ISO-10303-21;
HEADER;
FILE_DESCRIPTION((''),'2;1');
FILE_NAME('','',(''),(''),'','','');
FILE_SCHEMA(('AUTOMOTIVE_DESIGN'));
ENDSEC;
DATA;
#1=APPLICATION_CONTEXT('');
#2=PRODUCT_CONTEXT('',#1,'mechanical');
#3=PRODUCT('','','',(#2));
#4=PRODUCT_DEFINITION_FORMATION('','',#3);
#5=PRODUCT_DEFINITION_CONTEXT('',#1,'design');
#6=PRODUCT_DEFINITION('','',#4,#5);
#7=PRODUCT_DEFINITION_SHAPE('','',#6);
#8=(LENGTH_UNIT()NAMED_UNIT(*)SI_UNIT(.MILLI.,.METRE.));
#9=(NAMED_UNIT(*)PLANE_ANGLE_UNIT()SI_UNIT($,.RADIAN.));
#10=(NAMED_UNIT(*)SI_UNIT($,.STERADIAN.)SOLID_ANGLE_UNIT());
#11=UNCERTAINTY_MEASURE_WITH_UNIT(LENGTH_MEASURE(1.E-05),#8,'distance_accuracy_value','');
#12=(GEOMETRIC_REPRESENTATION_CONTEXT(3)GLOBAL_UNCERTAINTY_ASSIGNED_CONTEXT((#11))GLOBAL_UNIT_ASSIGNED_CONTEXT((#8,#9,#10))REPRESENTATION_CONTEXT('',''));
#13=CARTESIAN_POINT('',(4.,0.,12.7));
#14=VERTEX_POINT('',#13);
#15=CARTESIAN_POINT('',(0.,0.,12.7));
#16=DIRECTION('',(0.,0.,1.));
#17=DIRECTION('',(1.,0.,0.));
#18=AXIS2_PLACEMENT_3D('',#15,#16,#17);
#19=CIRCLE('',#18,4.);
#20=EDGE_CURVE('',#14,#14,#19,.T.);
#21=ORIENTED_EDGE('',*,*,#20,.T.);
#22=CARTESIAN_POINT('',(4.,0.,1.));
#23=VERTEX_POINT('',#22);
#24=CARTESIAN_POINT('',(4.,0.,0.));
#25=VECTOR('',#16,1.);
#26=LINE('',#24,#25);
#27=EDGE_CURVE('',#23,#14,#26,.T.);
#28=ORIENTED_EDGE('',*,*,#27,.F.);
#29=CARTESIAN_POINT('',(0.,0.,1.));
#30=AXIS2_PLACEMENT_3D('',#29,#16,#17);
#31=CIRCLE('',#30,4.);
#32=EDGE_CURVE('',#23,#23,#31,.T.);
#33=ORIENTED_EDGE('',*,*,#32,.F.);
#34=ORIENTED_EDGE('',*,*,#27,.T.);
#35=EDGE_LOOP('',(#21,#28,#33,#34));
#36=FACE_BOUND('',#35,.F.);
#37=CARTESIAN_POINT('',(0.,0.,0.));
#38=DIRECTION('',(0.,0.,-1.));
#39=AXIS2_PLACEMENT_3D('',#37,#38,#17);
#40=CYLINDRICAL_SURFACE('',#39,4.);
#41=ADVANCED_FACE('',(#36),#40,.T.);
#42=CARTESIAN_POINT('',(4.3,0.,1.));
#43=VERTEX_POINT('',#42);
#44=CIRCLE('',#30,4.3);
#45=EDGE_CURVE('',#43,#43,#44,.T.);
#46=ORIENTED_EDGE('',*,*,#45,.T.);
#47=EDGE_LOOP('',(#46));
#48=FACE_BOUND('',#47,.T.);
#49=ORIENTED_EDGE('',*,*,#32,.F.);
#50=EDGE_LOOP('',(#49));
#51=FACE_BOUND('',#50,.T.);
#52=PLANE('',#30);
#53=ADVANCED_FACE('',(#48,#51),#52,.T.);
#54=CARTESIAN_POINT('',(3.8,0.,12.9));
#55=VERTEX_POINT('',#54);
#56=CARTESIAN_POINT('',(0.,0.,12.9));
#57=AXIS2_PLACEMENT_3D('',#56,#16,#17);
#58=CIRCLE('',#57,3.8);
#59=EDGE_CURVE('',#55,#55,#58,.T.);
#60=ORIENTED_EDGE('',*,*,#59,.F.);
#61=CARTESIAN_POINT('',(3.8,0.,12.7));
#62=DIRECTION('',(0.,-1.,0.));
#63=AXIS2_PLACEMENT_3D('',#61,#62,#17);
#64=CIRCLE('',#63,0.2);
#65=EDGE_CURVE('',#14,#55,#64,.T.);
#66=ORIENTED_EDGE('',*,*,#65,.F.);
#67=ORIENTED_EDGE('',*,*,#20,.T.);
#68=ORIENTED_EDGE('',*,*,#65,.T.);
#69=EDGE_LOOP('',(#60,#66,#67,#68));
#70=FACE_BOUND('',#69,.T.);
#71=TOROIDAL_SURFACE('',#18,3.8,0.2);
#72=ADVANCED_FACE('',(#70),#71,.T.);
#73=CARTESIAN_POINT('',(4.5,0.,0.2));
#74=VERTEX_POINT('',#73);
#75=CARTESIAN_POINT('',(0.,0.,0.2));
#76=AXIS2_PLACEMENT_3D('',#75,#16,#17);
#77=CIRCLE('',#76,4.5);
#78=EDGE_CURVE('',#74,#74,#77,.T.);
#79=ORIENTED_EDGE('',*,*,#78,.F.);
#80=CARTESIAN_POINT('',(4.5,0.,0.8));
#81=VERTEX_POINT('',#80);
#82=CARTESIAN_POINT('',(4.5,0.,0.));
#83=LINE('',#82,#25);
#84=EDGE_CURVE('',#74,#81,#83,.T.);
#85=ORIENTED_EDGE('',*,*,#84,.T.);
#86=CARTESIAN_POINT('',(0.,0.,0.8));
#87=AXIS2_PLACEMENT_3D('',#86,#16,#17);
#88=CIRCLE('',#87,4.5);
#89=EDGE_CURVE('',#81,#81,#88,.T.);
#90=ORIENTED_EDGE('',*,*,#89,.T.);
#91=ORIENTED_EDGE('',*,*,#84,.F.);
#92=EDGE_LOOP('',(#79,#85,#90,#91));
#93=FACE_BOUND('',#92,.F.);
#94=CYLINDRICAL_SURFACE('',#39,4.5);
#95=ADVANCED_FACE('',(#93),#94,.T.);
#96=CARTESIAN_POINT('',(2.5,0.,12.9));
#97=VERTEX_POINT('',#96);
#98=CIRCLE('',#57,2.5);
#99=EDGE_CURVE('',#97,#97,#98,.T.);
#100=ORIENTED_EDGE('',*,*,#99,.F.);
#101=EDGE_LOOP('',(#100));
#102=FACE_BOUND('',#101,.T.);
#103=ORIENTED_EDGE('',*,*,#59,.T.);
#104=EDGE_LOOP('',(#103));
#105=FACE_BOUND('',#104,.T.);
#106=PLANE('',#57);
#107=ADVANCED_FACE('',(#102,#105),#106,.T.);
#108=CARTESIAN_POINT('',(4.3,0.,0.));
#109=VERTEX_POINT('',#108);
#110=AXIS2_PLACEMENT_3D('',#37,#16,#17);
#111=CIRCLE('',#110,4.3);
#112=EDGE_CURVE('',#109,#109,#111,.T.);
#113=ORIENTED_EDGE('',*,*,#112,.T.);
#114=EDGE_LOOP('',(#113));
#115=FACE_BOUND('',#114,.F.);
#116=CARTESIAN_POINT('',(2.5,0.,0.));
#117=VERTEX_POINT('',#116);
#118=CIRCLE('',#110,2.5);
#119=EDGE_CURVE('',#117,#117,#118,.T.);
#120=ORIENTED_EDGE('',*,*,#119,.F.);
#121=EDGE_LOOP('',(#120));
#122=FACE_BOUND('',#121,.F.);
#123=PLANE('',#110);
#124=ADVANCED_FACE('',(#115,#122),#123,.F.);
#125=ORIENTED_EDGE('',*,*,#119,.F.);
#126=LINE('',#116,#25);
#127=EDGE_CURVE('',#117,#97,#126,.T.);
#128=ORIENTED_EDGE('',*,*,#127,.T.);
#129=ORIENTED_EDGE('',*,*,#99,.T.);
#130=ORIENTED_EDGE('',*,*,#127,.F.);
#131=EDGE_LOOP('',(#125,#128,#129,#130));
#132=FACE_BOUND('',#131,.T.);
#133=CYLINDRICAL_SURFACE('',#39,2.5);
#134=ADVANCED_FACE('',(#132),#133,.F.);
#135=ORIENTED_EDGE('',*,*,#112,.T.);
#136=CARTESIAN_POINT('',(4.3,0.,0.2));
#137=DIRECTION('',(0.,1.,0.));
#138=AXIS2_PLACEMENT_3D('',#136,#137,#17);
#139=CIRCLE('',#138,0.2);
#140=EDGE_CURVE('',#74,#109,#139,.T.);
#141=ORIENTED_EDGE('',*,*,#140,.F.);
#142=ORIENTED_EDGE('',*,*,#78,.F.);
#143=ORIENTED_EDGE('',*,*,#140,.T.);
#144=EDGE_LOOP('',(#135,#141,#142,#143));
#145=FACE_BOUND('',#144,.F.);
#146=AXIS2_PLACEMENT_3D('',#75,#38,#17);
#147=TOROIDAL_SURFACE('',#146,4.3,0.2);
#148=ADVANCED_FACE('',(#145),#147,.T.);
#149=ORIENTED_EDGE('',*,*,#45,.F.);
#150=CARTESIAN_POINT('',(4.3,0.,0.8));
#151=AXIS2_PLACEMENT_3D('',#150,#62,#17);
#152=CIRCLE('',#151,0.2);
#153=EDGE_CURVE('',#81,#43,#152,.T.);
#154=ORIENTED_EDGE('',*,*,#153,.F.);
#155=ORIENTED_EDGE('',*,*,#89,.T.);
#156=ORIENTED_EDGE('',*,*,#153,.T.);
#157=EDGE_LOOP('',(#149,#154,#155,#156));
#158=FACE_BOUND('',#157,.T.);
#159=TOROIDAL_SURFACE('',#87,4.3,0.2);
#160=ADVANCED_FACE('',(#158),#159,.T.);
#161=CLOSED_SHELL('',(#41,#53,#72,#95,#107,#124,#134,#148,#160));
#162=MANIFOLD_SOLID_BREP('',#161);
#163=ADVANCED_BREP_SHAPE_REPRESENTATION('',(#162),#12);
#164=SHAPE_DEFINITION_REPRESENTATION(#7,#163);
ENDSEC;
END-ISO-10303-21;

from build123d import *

# Parameters (mm, degrees)
F0_R     = 4.5
F0_R_2   = 4
F1_DEPTH = 1
F0_R_3   = 2.5
F2_DEPTH = 12.9
F3_R     = 0.2
F4_R     = 0.2
F5_R     = 0.2


with BuildPart() as f1:
    # F0 (on Top) → F1 (new body)
    with BuildSketch(Plane.XY):
        Circle(F0_R)
        Circle(F0_R_2, mode=Mode.SUBTRACT)
    extrude(amount=F1_DEPTH)

    # F0 (on Top) → F2 (join)
    with BuildSketch(Plane.XY):
        Circle(F0_R_2)
        Circle(F0_R_3, mode=Mode.SUBTRACT)
    extrude(amount=F2_DEPTH)

    # F3
    f3_edges = [f1.edges().sort_by_distance(p)[0] for p in [
        (-4.5, 0, 0),
    ]]
    fillet(f3_edges, radius=F3_R)

    # F4
    f4_edges = [f1.edges().sort_by_distance(p)[0] for p in [
        (-4.5, 0, 1),
    ]]
    fillet(f4_edges, radius=F4_R)

    # F5
    f5_edges = [f1.edges().sort_by_distance(p)[0] for p in [
        (-4, 0, 12.9),
    ]]
    fillet(f5_edges, radius=F5_R)


solid = f1.part
